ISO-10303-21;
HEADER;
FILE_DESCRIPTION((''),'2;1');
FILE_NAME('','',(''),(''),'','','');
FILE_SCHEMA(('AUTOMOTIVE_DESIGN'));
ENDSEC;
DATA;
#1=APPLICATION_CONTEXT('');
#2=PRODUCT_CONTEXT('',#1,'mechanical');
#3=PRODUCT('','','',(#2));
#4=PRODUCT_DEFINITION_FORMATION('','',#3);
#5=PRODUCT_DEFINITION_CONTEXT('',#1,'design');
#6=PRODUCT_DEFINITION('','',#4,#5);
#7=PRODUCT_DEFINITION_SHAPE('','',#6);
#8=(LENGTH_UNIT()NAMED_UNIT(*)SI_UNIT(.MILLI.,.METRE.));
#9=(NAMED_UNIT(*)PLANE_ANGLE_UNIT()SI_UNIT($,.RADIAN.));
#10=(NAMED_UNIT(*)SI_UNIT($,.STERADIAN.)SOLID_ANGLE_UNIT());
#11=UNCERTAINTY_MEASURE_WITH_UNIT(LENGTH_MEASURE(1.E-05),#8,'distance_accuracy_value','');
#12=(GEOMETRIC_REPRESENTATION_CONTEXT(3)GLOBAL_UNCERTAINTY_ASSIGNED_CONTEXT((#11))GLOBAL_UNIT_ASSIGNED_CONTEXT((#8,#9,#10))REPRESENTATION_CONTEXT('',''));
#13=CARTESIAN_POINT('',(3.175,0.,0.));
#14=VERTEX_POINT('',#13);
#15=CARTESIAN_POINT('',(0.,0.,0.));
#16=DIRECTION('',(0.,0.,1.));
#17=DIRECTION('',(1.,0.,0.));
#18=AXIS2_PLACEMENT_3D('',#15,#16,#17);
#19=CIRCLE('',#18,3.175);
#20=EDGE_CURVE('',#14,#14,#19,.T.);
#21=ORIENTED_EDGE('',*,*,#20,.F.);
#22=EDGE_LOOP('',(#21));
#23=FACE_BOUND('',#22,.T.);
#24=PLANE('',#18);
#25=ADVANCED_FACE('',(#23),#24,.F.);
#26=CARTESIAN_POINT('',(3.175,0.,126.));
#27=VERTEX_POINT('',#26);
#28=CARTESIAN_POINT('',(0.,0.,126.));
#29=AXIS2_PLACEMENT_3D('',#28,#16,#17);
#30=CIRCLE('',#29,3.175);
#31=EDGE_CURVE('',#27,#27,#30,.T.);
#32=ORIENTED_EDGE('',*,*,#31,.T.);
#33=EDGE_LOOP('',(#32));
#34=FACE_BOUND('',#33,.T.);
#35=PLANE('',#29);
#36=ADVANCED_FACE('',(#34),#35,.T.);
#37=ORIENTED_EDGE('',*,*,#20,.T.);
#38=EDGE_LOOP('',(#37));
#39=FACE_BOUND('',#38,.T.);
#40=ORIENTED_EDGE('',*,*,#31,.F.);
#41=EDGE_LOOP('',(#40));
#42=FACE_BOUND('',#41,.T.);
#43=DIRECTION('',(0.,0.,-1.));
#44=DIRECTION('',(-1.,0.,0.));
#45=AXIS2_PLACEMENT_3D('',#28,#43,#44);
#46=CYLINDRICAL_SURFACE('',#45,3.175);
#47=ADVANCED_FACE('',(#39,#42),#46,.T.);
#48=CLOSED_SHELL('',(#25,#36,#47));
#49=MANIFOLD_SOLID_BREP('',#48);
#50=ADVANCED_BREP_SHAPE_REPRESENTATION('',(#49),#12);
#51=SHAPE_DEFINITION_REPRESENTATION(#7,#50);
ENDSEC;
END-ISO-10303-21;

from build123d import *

# Parameters (mm, degrees)
SKETCH1_R           = 3.175
BOSS_EXTRUDE1_DEPTH = 126


with BuildPart() as part:
    # Sketch1 → Boss-Extrude1 (new body)
    with BuildSketch(Plane.XY):
        Circle(SKETCH1_R)
    extrude(amount=BOSS_EXTRUDE1_DEPTH)


solid = part.part
